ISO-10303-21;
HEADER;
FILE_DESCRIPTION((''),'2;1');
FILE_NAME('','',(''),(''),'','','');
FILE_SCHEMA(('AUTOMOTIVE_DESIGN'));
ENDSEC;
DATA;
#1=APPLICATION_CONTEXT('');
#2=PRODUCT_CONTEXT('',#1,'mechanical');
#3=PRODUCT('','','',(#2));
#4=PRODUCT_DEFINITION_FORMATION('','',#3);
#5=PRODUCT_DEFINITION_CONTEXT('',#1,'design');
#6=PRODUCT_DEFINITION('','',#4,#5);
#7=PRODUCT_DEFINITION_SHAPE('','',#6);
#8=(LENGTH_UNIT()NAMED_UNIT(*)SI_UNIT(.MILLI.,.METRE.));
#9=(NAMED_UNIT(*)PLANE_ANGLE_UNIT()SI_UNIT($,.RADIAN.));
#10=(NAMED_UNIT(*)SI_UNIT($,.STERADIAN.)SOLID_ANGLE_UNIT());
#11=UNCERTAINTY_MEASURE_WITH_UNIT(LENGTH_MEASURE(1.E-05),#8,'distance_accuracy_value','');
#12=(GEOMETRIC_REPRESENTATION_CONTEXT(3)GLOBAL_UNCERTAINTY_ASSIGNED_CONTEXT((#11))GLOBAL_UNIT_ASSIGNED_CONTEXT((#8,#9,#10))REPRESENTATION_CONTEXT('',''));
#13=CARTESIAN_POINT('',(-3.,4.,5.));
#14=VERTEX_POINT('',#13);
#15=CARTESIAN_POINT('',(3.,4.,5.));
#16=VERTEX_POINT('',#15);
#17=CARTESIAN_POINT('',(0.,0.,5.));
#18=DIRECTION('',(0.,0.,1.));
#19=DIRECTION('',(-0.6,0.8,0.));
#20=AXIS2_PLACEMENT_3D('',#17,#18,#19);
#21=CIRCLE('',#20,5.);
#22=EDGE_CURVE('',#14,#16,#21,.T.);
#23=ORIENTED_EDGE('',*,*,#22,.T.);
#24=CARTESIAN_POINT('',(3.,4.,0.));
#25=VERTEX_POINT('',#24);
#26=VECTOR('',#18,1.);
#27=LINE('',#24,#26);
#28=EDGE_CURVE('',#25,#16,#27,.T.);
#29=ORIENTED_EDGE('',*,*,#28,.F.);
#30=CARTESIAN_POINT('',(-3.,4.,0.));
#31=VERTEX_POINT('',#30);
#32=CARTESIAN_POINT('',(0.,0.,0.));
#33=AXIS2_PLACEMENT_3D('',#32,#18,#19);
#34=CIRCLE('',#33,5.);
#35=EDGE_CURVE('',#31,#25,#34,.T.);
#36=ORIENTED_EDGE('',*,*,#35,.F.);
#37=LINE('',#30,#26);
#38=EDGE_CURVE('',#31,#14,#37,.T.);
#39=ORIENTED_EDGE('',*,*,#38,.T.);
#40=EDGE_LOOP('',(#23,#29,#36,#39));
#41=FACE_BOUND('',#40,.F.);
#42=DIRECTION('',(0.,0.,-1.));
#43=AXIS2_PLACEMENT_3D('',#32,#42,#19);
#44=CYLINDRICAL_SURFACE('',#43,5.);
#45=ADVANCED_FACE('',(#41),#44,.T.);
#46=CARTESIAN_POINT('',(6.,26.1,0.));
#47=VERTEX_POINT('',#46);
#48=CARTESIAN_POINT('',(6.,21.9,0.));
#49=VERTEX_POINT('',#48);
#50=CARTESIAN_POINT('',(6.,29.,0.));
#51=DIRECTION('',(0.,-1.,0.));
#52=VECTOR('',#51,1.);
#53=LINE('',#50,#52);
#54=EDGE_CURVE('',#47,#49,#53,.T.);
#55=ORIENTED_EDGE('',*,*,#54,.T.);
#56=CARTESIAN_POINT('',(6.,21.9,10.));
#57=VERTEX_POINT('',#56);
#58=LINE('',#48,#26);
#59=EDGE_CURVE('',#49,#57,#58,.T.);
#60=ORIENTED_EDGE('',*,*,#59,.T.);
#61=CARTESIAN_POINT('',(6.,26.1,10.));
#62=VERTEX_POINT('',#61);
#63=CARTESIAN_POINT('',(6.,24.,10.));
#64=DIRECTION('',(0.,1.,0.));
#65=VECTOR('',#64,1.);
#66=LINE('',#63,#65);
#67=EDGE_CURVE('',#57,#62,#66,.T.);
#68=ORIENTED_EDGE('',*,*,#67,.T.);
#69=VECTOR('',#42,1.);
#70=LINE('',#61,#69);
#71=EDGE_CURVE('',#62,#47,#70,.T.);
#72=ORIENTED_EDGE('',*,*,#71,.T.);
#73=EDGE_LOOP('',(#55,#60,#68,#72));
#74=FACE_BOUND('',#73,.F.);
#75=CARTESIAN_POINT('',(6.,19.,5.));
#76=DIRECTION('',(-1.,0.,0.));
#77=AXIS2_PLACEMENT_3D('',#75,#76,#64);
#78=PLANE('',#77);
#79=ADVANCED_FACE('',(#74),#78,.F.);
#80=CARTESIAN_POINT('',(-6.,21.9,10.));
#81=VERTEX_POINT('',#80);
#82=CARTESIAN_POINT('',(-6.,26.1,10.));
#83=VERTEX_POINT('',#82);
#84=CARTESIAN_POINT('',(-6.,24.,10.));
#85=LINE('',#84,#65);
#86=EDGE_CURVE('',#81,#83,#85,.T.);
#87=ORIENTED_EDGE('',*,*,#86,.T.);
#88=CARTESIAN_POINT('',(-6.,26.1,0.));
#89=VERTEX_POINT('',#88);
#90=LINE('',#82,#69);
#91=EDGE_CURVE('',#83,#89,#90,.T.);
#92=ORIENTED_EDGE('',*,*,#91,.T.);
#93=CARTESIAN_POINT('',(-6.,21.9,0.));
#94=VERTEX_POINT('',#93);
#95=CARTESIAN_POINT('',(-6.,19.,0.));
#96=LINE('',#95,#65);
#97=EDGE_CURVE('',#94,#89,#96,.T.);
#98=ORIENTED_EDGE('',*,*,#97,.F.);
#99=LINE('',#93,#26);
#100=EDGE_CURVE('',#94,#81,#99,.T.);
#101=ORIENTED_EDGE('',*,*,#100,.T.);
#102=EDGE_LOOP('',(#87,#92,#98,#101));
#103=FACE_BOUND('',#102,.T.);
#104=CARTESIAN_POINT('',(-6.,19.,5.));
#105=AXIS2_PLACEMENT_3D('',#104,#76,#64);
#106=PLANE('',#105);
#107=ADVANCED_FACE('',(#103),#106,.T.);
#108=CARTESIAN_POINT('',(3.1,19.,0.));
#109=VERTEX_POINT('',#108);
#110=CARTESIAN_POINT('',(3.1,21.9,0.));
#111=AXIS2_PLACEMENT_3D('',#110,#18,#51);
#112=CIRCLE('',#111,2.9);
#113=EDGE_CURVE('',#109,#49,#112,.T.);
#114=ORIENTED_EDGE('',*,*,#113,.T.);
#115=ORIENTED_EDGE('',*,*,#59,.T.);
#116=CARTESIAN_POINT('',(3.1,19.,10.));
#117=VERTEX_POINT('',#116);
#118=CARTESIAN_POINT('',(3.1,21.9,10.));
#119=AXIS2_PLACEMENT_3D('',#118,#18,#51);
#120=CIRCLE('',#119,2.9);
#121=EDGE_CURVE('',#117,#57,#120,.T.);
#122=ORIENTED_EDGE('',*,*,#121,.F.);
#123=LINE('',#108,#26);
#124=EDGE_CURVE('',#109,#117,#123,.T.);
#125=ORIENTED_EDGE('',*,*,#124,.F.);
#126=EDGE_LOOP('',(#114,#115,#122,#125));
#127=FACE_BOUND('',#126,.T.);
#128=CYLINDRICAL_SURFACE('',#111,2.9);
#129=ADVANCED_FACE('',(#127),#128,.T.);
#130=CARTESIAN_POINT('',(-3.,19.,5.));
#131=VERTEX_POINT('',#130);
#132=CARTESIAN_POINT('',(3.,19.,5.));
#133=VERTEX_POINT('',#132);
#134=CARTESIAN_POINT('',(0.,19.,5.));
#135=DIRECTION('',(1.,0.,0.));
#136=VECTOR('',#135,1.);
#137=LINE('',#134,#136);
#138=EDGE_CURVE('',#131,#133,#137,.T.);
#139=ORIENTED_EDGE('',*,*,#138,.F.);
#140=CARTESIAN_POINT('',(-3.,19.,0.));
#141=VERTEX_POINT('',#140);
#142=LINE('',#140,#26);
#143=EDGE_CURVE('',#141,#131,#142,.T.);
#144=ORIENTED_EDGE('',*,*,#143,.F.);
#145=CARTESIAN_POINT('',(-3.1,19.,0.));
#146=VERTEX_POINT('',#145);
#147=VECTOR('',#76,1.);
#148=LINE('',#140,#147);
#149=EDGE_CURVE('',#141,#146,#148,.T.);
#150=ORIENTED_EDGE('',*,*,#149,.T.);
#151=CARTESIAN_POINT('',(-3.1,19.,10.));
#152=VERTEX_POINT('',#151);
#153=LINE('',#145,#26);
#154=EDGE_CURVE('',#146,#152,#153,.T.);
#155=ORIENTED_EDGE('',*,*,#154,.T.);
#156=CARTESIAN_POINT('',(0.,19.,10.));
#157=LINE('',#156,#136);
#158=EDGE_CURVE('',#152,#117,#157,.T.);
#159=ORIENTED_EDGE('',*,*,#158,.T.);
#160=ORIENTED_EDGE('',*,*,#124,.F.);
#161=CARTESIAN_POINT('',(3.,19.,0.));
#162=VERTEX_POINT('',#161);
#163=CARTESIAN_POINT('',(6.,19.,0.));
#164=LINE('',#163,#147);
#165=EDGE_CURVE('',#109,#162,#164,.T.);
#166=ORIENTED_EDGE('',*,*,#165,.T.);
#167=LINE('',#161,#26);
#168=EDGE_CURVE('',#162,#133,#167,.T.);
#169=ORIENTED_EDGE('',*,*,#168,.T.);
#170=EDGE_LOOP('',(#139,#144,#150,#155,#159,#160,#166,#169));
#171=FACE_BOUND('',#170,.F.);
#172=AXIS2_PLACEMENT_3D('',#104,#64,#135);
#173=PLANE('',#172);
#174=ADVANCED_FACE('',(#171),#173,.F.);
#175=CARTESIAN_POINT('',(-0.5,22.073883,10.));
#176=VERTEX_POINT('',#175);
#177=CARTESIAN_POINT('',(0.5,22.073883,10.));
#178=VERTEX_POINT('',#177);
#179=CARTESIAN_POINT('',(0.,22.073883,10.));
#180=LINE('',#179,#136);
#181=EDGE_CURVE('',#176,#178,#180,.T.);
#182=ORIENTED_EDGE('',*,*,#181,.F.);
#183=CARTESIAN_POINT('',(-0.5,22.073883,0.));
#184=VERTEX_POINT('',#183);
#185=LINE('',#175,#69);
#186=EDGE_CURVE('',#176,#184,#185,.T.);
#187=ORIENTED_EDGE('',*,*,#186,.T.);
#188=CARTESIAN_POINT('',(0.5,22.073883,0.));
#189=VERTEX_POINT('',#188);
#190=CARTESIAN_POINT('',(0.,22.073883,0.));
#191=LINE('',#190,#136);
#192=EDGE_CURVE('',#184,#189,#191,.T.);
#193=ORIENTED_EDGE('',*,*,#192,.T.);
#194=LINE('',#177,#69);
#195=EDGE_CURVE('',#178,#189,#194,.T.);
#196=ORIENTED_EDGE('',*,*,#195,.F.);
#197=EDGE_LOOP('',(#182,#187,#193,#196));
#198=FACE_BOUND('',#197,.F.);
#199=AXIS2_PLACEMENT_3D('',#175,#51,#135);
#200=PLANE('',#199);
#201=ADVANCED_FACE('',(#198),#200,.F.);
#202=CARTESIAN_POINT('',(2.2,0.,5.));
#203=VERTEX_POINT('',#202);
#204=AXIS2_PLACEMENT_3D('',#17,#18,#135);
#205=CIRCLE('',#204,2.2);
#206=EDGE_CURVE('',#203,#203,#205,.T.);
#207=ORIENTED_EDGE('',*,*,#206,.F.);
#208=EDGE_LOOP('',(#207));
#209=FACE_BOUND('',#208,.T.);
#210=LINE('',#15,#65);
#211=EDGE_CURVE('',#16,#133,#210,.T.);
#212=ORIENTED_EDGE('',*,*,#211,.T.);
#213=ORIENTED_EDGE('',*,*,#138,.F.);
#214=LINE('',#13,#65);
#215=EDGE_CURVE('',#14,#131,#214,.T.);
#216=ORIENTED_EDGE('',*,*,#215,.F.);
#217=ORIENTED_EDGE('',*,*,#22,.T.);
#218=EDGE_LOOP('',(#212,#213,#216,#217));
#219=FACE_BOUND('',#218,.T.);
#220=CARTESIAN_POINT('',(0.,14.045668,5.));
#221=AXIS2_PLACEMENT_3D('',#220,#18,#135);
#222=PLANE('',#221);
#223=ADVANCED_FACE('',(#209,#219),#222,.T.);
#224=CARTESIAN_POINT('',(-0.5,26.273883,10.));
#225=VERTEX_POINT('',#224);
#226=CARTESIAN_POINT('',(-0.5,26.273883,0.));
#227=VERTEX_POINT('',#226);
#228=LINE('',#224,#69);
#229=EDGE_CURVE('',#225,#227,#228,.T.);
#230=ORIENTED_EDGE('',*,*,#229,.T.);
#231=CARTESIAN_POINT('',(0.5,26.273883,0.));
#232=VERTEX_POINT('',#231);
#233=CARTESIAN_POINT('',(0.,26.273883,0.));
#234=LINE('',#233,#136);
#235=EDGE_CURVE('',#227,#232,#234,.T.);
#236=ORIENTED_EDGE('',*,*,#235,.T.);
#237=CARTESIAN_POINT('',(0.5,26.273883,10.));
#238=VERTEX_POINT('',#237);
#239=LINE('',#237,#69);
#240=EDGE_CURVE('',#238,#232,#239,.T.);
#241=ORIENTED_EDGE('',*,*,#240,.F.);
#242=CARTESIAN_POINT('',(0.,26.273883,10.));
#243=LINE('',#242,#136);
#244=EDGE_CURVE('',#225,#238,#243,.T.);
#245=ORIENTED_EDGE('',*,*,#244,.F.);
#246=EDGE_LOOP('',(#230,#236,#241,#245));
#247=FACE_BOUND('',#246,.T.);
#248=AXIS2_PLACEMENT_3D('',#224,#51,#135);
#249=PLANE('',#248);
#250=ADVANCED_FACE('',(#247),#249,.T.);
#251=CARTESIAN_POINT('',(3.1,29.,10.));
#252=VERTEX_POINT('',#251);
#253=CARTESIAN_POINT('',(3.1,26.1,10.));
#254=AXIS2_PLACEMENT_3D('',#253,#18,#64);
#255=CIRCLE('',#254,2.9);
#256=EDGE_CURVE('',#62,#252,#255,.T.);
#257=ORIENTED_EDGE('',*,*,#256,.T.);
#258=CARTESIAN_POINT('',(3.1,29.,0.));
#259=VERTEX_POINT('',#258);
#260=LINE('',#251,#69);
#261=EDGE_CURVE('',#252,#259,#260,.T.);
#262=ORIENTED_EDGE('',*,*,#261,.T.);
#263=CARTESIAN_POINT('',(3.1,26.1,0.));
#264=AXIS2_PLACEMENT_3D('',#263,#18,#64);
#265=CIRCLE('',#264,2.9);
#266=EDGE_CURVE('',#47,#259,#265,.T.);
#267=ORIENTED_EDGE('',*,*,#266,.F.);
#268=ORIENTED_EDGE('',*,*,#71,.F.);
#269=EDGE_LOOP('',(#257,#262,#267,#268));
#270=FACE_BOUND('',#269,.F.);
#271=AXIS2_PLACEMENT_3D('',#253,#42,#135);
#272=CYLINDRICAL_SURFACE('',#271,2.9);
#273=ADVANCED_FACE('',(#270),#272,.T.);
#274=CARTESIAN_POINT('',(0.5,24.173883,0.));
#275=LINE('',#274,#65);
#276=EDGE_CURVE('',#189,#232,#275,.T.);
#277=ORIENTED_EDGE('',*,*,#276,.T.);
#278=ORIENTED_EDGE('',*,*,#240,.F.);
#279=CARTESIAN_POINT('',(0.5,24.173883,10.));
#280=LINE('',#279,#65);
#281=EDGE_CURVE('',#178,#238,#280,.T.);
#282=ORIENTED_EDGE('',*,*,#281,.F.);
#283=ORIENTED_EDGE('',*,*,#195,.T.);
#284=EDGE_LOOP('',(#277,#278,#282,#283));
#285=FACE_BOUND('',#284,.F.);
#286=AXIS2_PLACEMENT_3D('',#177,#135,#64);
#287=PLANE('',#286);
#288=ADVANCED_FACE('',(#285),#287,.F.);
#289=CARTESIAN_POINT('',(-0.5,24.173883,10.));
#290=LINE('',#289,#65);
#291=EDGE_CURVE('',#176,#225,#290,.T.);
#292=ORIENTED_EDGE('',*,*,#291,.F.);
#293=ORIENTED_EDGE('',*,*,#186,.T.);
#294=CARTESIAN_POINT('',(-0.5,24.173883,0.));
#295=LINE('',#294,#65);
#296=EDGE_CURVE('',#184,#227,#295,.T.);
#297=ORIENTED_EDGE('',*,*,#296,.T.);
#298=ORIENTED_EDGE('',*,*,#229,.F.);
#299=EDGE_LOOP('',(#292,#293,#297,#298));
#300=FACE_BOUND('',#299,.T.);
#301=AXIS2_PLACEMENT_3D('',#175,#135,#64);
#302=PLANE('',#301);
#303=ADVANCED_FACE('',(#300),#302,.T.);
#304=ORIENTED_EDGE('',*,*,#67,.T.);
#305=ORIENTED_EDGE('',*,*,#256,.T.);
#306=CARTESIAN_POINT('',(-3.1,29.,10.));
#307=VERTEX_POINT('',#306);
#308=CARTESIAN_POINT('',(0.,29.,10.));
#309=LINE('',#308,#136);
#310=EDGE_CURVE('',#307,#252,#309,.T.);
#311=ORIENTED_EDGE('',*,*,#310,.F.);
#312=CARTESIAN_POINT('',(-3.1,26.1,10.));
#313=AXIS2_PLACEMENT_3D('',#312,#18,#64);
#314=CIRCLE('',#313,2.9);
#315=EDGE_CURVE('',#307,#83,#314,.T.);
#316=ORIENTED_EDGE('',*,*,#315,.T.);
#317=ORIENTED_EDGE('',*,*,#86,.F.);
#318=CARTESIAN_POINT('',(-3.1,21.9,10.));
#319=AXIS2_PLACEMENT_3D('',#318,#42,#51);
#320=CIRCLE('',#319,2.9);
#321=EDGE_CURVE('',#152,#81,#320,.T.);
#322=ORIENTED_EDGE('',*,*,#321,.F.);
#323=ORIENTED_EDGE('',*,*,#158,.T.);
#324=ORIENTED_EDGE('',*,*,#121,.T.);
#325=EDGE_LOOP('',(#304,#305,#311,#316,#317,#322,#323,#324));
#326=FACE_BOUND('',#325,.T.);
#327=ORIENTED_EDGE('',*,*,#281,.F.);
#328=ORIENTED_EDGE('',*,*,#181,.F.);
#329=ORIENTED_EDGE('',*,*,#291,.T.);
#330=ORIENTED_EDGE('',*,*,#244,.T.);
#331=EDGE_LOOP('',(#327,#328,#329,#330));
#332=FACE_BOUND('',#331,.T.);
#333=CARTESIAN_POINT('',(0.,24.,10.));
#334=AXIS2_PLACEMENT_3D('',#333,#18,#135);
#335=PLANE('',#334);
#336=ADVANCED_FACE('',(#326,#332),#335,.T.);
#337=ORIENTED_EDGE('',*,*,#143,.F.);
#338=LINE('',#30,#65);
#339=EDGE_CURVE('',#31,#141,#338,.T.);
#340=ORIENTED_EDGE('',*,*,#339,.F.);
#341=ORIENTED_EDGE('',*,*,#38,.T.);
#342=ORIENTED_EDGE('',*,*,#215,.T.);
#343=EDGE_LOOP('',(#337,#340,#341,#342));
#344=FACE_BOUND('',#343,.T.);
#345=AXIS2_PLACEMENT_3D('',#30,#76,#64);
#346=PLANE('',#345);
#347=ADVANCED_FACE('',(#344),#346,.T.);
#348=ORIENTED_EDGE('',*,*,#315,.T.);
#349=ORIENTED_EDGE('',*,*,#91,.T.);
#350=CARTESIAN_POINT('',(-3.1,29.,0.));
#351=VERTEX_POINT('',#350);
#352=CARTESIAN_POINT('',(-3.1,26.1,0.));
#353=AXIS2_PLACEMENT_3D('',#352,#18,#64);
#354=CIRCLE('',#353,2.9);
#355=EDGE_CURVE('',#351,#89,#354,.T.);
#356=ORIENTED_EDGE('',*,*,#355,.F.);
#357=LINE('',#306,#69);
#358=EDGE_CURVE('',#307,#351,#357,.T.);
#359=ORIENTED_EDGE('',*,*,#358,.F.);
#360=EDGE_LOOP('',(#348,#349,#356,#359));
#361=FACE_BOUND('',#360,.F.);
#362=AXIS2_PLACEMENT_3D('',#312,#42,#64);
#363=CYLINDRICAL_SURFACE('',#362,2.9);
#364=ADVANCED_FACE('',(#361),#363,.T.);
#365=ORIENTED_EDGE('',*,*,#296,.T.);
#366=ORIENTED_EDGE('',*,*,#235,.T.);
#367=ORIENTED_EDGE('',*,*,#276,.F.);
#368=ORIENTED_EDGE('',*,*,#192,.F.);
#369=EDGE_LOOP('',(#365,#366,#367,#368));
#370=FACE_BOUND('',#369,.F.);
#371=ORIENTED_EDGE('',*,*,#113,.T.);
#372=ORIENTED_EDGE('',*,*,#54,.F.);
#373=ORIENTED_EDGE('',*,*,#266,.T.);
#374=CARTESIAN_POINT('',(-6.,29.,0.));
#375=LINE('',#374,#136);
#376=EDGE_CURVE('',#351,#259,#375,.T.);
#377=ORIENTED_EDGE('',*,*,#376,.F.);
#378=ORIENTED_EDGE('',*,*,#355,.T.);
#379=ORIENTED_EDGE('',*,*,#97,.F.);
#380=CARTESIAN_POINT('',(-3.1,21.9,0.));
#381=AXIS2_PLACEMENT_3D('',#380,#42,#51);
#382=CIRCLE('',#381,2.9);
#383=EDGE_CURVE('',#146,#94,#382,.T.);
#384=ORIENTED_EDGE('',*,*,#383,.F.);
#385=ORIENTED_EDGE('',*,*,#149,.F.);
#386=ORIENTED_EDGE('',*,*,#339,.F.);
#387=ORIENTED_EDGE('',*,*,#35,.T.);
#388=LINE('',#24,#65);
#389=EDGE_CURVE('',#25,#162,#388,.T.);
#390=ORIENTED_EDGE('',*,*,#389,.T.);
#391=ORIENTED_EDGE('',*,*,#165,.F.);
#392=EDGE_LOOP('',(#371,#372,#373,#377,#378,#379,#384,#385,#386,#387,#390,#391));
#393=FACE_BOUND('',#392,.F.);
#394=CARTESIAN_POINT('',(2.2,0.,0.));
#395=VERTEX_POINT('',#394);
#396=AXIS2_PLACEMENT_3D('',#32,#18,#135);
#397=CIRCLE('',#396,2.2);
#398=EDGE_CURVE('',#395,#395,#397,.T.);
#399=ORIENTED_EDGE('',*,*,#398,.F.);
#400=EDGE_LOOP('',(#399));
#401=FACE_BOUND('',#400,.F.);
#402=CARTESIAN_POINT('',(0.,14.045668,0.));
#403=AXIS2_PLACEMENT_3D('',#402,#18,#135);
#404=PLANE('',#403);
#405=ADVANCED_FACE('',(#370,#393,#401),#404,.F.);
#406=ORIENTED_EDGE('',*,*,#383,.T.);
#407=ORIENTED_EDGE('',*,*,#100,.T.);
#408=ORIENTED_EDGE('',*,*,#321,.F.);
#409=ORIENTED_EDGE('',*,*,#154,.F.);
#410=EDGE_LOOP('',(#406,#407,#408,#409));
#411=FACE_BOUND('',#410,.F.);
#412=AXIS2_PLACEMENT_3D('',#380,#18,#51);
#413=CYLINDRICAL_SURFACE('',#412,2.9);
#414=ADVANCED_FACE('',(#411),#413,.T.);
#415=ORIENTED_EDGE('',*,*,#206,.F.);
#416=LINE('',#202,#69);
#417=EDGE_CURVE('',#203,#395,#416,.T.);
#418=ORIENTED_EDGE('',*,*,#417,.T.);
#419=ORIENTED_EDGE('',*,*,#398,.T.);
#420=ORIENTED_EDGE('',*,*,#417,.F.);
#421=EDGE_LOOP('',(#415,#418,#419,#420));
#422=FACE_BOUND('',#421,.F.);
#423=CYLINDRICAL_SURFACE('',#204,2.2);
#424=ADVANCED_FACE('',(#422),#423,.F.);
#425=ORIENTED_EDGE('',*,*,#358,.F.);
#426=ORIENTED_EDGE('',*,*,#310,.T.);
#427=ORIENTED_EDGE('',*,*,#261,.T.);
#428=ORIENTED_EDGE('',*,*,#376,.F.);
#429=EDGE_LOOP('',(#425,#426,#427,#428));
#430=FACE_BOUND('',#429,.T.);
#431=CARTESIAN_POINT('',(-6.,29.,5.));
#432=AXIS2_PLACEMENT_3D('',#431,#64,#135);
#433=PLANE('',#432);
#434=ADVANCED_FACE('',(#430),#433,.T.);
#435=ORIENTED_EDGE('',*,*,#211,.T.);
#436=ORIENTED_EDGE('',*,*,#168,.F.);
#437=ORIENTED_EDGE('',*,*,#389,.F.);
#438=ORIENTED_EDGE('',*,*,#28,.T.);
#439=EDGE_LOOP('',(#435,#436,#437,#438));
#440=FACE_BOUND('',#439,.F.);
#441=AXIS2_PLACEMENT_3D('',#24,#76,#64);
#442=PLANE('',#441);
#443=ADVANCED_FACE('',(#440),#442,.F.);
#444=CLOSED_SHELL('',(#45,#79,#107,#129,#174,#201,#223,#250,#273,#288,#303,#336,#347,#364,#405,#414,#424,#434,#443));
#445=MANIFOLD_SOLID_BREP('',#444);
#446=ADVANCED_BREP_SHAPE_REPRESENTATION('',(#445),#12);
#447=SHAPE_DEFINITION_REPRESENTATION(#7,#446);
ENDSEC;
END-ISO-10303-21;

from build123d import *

# Parameters (mm, degrees)
PAD_DEPTH       = 5
SKETCH001_W     = 12
SKETCH001_H     = 10
PAD001_DEPTH    = 5
SKETCH002_W     = 1
SKETCH002_H     = 4.2
POCKET_DEPTH    = 10
FILLET_R        = 2.9
FILLET001_R     = 2.9
FILLET002_R     = 2.9
FILLET003_R     = 2.9
SKETCH003_R     = 2.2
POCKET001_DEPTH = 5


with BuildPart() as part:
    # Sketch → Pad (new body)
    with BuildSketch(Plane.XY):
        with BuildLine():
            ThreePointArc((-3, 4), (0, -5), (3, 4))
            Line((3, 4), (3, 19))
            Line((6, 19), (3, 19))
            Line((6, 29), (6, 19))
            Line((-6, 29), (6, 29))
            Line((-6, 19), (-6, 29))
            Line((-3, 19), (-6, 19))
            Line((-3, 4), (-3, 19))
        make_face()
    extrude(amount=PAD_DEPTH)

    # Sketch001 (on Face10 of Pad) → Pad001 (join)
    with BuildSketch(Plane.XY.offset(5)):
        with Locations((0, 24)):
            Rectangle(SKETCH001_W, SKETCH001_H)
    extrude(amount=PAD001_DEPTH)

    # Sketch002 (on Face15 of Pad001) → Pocket (cut)
    with BuildSketch(Plane.XY.offset(10)):
        with Locations((0, 24.173883)):
            Rectangle(SKETCH002_W, SKETCH002_H)
    extrude(amount=-POCKET_DEPTH, mode=Mode.SUBTRACT)

    # Fillet
    fillet_edges = [part.edges().sort_by_distance(p)[0] for p in [
        (6, 19, 7.5),
    ]]
    fillet(fillet_edges, radius=FILLET_R)

    # Fillet001
    fillet001_edges = [part.edges().sort_by_distance(p)[0] for p in [
        (-6, 19, 7.5),
    ]]
    fillet(fillet001_edges, radius=FILLET001_R)

    # Fillet002
    fillet002_edges = [part.edges().sort_by_distance(p)[0] for p in [
        (6, 29, 7.5),
    ]]
    fillet(fillet002_edges, radius=FILLET002_R)

    # Fillet003
    fillet003_edges = [part.edges().sort_by_distance(p)[0] for p in [
        (-6, 29, 7.5),
    ]]
    fillet(fillet003_edges, radius=FILLET003_R)

    # Sketch003 (on Face26 of Fillet003) → Pocket001 (cut)
    with BuildSketch(Plane.XY.offset(5)):
        Circle(SKETCH003_R)
    extrude(amount=-POCKET001_DEPTH, mode=Mode.SUBTRACT)


solid = part.part
